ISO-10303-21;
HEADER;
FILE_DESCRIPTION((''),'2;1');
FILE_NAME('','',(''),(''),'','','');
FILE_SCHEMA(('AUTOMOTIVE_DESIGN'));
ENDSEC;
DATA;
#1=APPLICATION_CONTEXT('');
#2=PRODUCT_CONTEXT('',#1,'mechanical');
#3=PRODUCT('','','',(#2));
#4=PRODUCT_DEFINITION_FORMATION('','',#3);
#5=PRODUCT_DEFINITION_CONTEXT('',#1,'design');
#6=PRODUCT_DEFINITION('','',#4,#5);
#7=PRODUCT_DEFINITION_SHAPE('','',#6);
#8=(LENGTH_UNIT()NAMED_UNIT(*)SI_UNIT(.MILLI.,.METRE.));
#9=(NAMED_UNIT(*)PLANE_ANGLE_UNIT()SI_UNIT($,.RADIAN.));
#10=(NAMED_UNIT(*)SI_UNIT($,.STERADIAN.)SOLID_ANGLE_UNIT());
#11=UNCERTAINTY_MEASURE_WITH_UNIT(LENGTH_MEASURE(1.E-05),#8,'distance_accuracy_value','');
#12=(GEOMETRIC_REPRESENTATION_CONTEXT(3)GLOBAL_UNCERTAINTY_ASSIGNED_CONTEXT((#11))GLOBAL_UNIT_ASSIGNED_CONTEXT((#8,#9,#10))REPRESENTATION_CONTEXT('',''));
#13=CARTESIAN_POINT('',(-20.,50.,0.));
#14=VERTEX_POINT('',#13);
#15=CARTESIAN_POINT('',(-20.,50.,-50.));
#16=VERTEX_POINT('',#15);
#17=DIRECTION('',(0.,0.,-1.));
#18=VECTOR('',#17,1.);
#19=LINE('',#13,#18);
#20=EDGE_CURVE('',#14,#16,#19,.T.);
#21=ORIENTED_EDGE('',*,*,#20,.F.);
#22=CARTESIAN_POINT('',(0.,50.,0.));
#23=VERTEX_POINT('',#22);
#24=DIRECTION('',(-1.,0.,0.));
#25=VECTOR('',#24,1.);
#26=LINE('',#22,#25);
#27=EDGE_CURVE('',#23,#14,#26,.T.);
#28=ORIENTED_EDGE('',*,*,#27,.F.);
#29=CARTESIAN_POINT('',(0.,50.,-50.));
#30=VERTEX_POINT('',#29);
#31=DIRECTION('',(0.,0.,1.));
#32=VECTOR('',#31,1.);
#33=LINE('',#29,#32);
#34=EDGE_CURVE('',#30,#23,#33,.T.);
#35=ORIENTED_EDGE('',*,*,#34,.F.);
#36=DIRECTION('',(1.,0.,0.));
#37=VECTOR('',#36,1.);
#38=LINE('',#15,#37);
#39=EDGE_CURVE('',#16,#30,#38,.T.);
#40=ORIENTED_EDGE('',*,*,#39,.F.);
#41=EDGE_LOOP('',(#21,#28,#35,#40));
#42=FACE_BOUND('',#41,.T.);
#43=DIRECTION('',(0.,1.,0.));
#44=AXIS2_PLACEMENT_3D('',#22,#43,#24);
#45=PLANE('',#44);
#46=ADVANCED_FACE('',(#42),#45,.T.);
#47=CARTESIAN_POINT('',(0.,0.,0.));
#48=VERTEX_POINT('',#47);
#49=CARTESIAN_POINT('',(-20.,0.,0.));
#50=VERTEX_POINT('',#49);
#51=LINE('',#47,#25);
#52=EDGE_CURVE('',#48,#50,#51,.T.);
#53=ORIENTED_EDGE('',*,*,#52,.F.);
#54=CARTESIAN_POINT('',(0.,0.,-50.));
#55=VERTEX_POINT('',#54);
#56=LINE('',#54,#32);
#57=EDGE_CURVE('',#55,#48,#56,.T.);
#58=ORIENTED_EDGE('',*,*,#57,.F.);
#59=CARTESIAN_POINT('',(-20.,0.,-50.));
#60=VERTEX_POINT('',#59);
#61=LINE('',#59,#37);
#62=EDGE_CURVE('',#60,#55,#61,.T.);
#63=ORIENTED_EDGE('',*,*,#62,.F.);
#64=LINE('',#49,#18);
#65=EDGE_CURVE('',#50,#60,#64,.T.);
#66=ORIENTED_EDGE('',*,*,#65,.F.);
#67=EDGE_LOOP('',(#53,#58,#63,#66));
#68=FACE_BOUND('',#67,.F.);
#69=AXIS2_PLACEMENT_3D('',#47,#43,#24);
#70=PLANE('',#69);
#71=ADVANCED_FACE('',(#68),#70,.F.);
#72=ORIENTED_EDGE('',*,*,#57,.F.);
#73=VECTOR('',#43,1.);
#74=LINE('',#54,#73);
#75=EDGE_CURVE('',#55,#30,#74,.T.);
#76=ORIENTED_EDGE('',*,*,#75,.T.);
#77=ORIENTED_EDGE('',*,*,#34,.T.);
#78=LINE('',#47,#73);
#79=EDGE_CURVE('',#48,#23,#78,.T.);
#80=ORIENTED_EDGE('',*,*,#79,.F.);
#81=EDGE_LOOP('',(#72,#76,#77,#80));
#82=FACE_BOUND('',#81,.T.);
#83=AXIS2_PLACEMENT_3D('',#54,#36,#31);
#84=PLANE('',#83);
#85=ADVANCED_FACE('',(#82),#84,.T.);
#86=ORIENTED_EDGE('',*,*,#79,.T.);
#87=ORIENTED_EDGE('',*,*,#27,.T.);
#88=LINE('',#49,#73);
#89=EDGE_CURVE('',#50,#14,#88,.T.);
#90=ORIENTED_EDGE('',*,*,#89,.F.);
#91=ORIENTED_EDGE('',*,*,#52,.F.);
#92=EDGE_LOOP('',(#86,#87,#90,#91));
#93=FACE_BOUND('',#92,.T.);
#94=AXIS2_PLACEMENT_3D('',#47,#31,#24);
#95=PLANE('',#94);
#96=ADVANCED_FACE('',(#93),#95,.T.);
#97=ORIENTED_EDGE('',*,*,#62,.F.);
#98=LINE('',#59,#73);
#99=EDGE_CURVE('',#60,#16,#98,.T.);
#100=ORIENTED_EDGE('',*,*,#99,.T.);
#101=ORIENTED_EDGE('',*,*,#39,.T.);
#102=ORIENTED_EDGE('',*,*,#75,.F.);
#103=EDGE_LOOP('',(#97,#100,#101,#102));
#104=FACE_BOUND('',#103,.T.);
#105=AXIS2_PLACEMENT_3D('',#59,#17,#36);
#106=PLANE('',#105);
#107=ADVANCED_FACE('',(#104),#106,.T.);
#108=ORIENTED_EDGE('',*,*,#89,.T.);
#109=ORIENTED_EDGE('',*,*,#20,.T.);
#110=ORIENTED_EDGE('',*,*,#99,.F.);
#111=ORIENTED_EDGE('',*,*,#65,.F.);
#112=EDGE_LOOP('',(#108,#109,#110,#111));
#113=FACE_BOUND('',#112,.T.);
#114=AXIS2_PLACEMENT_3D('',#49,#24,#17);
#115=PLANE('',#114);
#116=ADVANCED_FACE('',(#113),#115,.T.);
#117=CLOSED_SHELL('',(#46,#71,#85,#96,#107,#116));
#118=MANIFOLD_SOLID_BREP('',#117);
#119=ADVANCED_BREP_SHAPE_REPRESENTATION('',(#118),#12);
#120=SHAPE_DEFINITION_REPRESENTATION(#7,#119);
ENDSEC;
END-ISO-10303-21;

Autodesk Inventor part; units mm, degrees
ref_plane "YZ Plane" through (0, 0, 0) normal (1, 0, 0) x (0, 1, 0)
ref_plane "XZ Plane" through (0, 0, 0) normal (0, 1, 0) x (-1, 0, 0)
ref_plane "XY Plane" through (0, 0, 0) normal (0, 0, 1) x (1, 0, 0)
sketch "Sketch2" plane through (0, 0, 0) normal (0, 1, 0) x (-1, 0, 0)
  line L0 (0, 0) -> (20, 0)
  line L1 (20, 0) -> (20, -50)
  line L2 (20, -50) -> (0, -50)
  line L3 (0, -50) -> (0, 0)
  dimension "d0" = 20
  dimension "d1" = 50
extrude "Extrusion1" add sketch "Sketch2" along normal blind 50
properties part number "exercicio3"
